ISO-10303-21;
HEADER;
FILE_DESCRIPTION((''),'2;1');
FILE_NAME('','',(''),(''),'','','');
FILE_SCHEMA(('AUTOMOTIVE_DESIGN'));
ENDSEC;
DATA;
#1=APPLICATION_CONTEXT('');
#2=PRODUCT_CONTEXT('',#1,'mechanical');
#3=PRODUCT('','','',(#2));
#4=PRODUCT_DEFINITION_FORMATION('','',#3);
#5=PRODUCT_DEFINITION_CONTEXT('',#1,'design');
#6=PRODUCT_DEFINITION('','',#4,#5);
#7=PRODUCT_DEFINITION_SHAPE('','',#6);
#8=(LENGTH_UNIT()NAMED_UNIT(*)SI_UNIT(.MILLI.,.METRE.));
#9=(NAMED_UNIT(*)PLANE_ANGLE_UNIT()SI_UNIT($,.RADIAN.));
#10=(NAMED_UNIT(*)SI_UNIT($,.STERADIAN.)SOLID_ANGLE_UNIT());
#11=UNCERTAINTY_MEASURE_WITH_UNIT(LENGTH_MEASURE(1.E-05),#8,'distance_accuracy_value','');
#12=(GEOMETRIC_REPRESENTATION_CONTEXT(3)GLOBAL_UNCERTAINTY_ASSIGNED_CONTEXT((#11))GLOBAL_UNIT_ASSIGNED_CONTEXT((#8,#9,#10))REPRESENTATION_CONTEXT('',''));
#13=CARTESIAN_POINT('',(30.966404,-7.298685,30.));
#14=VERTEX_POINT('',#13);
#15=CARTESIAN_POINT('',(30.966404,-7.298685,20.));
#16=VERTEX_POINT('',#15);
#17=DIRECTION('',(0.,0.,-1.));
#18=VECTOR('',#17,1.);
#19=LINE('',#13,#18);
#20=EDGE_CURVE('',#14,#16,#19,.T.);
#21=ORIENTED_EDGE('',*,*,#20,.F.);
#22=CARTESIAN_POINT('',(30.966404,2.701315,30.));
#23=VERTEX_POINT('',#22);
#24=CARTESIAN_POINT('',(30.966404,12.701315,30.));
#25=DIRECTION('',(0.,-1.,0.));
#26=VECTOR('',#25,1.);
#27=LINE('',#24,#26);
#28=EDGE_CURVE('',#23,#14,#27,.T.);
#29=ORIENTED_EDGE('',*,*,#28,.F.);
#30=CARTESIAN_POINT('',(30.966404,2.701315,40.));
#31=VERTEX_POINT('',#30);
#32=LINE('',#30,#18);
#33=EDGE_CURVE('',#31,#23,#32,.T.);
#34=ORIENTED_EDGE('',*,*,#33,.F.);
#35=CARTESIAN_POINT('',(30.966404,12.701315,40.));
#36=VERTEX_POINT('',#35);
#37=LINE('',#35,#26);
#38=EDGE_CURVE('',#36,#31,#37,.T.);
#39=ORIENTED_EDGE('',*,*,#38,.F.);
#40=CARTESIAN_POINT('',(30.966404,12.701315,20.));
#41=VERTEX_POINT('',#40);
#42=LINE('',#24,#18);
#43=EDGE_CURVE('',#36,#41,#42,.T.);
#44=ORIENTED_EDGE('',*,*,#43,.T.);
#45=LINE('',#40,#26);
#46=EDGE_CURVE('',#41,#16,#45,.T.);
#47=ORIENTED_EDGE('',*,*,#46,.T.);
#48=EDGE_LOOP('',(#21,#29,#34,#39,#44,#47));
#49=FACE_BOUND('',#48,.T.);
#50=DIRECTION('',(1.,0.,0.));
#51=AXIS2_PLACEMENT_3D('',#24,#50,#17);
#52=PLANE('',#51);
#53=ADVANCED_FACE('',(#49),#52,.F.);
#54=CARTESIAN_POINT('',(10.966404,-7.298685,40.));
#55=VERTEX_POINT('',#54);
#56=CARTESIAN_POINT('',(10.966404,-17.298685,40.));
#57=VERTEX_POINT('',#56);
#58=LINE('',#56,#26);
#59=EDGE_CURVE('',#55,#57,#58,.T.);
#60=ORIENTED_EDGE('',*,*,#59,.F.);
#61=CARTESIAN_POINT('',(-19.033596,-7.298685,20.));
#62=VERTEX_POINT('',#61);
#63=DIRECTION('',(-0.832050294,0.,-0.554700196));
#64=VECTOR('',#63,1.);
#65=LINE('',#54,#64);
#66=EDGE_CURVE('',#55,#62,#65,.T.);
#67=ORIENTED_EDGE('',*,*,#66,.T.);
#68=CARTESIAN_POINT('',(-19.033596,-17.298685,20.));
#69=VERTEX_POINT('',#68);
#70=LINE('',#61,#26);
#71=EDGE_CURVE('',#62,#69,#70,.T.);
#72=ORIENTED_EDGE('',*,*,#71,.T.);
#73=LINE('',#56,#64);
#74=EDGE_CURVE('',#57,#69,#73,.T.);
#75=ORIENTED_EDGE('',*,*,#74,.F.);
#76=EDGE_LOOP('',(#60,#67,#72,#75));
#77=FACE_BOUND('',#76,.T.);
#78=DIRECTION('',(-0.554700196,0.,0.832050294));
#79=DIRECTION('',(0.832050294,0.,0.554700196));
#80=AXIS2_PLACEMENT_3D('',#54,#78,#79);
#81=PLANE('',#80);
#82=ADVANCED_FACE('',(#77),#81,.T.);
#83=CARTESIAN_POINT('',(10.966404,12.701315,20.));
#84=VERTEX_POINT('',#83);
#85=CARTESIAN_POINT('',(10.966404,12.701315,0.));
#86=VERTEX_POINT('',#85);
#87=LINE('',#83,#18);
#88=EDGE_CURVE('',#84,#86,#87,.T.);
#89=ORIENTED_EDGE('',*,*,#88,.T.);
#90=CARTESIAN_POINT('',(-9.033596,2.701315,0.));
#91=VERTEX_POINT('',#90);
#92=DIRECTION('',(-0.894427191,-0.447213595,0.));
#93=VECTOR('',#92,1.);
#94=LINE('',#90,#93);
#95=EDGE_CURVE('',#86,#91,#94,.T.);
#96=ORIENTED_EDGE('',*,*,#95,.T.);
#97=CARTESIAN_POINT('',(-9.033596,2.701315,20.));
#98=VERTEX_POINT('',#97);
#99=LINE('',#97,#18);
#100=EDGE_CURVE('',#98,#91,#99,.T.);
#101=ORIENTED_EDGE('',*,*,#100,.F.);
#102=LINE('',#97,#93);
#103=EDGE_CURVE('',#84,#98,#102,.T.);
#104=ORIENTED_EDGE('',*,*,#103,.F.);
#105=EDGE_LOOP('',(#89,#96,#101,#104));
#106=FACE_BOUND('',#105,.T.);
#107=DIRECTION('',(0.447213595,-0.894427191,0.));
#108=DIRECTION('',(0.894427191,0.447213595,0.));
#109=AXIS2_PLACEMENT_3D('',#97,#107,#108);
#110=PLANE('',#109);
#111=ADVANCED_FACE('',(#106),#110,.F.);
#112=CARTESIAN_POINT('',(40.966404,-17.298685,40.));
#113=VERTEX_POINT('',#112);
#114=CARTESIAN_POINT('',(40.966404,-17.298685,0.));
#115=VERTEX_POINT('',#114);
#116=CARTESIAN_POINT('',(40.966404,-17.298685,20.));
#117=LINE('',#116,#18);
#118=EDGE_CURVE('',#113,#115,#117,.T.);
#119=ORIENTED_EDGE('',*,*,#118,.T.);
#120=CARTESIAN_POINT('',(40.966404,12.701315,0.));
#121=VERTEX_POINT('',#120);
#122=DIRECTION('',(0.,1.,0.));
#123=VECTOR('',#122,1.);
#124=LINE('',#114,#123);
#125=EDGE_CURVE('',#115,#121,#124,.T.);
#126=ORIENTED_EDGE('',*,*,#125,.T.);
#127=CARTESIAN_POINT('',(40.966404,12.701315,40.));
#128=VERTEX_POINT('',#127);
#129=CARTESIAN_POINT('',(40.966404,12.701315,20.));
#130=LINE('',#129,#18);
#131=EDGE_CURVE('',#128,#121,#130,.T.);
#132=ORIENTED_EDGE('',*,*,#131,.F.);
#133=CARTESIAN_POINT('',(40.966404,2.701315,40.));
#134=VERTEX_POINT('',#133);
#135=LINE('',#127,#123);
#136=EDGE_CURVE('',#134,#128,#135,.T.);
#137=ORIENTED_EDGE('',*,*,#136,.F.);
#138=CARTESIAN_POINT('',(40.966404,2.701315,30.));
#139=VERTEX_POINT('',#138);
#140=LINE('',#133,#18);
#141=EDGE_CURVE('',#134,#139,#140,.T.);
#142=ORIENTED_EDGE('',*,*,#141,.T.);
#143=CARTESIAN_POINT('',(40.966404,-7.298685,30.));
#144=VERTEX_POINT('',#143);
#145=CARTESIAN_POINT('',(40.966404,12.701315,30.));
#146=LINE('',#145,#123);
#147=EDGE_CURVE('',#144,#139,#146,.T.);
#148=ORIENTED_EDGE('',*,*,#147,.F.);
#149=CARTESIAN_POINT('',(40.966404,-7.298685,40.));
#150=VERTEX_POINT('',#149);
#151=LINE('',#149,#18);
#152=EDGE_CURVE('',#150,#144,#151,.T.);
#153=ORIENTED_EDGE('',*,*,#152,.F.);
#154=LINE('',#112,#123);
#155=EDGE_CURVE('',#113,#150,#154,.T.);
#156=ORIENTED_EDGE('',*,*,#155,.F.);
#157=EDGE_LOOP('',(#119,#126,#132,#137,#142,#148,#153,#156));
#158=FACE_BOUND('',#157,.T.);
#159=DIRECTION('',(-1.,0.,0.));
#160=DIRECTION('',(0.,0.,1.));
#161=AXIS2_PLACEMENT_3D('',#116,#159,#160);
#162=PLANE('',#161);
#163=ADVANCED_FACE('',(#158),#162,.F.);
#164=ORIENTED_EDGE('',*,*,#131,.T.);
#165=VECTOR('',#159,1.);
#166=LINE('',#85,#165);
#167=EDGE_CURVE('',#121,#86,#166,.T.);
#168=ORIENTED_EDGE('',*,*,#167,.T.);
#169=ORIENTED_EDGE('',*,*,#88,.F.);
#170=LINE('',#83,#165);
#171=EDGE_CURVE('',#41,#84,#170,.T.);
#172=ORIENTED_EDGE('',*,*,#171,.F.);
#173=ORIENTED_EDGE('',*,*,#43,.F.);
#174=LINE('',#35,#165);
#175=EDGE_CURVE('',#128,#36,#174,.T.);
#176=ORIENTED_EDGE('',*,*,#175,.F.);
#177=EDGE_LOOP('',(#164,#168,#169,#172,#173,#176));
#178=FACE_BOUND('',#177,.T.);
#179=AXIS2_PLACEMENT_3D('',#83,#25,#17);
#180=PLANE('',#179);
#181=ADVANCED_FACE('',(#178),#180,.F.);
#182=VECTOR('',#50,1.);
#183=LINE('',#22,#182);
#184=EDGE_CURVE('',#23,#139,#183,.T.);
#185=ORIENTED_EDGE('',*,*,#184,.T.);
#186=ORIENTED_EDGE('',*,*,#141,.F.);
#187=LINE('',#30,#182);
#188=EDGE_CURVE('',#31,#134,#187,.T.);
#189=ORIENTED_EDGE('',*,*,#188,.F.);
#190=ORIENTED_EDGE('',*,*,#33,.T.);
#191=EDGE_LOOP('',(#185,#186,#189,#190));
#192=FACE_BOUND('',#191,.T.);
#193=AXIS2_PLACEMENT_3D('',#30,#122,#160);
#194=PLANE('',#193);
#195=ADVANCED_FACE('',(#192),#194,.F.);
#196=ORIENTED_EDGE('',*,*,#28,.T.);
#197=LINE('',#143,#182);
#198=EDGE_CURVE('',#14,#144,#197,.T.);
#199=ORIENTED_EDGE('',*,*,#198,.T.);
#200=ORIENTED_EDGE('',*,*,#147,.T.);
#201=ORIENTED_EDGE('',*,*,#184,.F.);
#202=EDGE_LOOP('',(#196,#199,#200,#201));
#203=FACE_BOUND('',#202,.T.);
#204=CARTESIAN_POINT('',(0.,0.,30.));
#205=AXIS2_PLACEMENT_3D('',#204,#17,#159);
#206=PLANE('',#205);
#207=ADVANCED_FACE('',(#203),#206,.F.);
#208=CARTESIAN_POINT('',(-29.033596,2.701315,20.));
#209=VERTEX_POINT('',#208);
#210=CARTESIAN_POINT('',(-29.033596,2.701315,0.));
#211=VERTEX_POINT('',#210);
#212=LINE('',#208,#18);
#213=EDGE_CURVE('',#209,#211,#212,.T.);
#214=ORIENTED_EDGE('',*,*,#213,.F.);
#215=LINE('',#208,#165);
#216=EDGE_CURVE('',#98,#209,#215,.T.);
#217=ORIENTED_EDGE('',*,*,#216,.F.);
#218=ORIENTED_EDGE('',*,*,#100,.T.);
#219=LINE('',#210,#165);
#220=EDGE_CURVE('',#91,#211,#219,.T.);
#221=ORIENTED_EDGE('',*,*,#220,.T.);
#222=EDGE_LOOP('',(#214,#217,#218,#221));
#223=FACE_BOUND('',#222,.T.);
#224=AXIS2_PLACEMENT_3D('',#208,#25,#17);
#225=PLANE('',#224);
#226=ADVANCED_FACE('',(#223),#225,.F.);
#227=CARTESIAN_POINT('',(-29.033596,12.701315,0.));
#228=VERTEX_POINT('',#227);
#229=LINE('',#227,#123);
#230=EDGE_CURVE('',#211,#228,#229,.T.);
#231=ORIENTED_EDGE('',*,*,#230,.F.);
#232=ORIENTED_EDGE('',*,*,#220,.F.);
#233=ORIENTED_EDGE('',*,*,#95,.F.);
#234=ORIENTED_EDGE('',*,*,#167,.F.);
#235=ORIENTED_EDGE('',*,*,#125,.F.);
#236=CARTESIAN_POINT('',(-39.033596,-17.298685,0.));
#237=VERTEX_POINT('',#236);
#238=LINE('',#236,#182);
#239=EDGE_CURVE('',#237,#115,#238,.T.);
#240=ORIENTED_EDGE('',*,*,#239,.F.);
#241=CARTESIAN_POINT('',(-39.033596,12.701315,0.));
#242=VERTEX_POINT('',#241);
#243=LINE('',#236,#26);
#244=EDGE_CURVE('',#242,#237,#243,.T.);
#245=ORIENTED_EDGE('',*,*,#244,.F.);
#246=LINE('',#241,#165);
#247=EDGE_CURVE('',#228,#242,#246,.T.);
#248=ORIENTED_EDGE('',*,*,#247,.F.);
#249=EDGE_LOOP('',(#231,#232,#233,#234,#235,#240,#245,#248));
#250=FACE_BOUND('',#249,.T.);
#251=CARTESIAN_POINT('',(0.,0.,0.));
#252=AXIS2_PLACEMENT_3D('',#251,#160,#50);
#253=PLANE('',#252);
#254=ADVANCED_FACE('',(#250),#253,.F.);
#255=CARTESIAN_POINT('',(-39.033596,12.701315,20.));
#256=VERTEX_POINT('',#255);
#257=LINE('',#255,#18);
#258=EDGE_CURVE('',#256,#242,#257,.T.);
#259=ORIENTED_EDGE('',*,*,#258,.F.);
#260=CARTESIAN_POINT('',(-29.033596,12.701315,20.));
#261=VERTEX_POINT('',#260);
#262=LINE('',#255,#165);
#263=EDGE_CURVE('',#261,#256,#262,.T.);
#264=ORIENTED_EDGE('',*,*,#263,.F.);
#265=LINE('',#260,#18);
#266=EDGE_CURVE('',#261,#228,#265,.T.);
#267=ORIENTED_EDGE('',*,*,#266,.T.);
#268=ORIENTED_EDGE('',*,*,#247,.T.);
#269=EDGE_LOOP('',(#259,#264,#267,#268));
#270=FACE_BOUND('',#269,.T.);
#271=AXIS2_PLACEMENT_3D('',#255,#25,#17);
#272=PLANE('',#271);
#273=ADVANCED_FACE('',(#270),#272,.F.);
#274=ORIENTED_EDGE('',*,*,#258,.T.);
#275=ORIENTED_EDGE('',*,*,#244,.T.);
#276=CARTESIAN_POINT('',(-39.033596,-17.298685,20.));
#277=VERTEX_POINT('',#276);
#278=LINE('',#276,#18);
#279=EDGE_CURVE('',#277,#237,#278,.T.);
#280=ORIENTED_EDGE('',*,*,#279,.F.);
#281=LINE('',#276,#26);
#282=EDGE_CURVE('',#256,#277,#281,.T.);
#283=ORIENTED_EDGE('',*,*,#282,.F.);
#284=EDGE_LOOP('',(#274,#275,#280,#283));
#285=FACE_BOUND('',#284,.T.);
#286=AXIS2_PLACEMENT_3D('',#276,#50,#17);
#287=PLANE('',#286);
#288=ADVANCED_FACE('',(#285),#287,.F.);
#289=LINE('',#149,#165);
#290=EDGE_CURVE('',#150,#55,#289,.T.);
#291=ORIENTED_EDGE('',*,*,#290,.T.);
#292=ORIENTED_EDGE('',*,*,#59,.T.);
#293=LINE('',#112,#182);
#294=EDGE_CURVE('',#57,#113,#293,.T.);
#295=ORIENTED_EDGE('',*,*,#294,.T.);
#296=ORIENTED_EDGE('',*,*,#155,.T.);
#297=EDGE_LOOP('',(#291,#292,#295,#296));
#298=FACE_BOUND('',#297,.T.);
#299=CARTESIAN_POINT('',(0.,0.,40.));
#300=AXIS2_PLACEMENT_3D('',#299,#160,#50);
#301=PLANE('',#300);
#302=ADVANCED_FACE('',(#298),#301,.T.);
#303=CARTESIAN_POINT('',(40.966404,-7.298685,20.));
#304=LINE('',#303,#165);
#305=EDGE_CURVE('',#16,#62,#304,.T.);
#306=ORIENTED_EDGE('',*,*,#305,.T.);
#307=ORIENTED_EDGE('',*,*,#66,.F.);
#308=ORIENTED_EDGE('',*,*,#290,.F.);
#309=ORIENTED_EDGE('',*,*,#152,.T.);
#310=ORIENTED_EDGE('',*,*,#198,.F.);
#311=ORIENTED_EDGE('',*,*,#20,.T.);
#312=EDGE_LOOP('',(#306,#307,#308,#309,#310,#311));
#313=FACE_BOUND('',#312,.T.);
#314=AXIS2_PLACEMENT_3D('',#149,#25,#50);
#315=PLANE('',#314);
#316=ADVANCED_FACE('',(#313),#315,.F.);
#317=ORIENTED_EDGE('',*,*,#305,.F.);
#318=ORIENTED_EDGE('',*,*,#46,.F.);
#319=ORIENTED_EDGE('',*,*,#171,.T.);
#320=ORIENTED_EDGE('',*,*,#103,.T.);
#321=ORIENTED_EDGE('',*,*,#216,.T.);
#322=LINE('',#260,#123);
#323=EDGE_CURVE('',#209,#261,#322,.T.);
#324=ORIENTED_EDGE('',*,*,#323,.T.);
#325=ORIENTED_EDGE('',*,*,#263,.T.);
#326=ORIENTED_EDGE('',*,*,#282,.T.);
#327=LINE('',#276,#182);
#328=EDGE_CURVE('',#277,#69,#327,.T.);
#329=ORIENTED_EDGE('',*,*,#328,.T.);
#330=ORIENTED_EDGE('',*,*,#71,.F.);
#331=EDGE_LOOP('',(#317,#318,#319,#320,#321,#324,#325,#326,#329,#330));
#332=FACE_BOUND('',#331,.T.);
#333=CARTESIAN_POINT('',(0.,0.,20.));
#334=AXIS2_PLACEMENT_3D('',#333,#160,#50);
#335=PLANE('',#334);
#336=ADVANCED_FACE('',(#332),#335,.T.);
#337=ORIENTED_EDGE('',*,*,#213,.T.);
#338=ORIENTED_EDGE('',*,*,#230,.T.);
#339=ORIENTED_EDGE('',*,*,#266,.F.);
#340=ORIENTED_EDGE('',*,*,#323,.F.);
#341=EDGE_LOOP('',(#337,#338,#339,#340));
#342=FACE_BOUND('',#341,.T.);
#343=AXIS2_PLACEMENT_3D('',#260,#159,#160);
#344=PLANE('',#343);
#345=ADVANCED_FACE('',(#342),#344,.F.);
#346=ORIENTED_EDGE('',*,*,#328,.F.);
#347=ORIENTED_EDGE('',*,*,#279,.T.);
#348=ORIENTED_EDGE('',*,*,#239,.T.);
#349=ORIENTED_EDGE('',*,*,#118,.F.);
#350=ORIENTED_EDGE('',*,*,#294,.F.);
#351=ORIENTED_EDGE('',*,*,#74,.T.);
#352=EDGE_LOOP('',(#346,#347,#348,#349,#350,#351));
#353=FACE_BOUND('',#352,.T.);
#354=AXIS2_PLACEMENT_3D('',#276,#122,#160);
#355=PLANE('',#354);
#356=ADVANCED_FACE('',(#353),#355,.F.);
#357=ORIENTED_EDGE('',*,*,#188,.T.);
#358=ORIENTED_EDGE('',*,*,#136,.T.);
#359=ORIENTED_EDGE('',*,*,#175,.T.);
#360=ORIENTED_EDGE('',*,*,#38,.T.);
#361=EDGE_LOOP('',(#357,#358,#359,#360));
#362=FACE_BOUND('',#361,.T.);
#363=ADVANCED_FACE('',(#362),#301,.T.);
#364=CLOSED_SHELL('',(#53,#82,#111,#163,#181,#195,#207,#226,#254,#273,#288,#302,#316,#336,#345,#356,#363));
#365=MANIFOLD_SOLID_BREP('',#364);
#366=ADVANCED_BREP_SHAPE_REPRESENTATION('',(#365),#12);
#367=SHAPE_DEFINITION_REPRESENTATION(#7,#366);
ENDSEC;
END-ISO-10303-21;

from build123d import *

# Parameters (mm, degrees)
BOSS_EXTRUDE1_DEPTH = 20
SKETCH2_W           = 30
SKETCH2_H           = 10
BOSS_EXTRUDE2_DEPTH = 20
BOSS_EXTRUDE3_DEPTH = 10
SKETCH4_W           = 10
SKETCH4_H           = 20
BOSS_EXTRUDE4_DEPTH = 10
SKETCH5_W           = 10
SKETCH5_H           = 10
BOSS_EXTRUDE5_DEPTH = 10


with BuildPart() as part:
    # Sketch1 → Boss-Extrude1 (new body)
    with BuildSketch(Plane.XY):
        Polygon((-29.033595627, 12.701314612), (-29.033595627, 2.701314612), (-9.033595627, 2.701314612), (10.966404373, 12.701314612), (40.966404373, 12.701314612), (40.966404373, -17.298685388), (-39.033595627, -17.298685388), (-39.033595627, 12.701314612), align=None)
    extrude(amount=BOSS_EXTRUDE1_DEPTH)

    # Sketch2 → Boss-Extrude2 (add)
    with BuildSketch(Plane.XY.offset(20)):
        with Locations((25.966404373, -12.298685388)):
            Rectangle(SKETCH2_W, SKETCH2_H)
    extrude(amount=BOSS_EXTRUDE2_DEPTH)

    # Sketch3 → Boss-Extrude3 (add)
    with BuildSketch(Plane(origin=(0, -17.298685388, 0), x_dir=(-1, 0, 0), z_dir=(0, -1, 0))):
        Polygon((-10.966404373, -40), (19.033595627, -20), (-10.966404373, -20), align=None)
    extrude(amount=-BOSS_EXTRUDE3_DEPTH)

    # Sketch4 → Boss-Extrude4 (add)
    with BuildSketch(Plane.XY.offset(20)):
        with Locations((35.966404373, 2.701314612)):
            Rectangle(SKETCH4_W, SKETCH4_H)
    extrude(amount=BOSS_EXTRUDE4_DEPTH)

    # Sketch5 → Boss-Extrude5 (add)
    with BuildSketch(Plane.XY.offset(30)):
        with Locations((35.966404373, 7.701314612)):
            Rectangle(SKETCH5_W, SKETCH5_H)
    extrude(amount=BOSS_EXTRUDE5_DEPTH)


solid = part.part
